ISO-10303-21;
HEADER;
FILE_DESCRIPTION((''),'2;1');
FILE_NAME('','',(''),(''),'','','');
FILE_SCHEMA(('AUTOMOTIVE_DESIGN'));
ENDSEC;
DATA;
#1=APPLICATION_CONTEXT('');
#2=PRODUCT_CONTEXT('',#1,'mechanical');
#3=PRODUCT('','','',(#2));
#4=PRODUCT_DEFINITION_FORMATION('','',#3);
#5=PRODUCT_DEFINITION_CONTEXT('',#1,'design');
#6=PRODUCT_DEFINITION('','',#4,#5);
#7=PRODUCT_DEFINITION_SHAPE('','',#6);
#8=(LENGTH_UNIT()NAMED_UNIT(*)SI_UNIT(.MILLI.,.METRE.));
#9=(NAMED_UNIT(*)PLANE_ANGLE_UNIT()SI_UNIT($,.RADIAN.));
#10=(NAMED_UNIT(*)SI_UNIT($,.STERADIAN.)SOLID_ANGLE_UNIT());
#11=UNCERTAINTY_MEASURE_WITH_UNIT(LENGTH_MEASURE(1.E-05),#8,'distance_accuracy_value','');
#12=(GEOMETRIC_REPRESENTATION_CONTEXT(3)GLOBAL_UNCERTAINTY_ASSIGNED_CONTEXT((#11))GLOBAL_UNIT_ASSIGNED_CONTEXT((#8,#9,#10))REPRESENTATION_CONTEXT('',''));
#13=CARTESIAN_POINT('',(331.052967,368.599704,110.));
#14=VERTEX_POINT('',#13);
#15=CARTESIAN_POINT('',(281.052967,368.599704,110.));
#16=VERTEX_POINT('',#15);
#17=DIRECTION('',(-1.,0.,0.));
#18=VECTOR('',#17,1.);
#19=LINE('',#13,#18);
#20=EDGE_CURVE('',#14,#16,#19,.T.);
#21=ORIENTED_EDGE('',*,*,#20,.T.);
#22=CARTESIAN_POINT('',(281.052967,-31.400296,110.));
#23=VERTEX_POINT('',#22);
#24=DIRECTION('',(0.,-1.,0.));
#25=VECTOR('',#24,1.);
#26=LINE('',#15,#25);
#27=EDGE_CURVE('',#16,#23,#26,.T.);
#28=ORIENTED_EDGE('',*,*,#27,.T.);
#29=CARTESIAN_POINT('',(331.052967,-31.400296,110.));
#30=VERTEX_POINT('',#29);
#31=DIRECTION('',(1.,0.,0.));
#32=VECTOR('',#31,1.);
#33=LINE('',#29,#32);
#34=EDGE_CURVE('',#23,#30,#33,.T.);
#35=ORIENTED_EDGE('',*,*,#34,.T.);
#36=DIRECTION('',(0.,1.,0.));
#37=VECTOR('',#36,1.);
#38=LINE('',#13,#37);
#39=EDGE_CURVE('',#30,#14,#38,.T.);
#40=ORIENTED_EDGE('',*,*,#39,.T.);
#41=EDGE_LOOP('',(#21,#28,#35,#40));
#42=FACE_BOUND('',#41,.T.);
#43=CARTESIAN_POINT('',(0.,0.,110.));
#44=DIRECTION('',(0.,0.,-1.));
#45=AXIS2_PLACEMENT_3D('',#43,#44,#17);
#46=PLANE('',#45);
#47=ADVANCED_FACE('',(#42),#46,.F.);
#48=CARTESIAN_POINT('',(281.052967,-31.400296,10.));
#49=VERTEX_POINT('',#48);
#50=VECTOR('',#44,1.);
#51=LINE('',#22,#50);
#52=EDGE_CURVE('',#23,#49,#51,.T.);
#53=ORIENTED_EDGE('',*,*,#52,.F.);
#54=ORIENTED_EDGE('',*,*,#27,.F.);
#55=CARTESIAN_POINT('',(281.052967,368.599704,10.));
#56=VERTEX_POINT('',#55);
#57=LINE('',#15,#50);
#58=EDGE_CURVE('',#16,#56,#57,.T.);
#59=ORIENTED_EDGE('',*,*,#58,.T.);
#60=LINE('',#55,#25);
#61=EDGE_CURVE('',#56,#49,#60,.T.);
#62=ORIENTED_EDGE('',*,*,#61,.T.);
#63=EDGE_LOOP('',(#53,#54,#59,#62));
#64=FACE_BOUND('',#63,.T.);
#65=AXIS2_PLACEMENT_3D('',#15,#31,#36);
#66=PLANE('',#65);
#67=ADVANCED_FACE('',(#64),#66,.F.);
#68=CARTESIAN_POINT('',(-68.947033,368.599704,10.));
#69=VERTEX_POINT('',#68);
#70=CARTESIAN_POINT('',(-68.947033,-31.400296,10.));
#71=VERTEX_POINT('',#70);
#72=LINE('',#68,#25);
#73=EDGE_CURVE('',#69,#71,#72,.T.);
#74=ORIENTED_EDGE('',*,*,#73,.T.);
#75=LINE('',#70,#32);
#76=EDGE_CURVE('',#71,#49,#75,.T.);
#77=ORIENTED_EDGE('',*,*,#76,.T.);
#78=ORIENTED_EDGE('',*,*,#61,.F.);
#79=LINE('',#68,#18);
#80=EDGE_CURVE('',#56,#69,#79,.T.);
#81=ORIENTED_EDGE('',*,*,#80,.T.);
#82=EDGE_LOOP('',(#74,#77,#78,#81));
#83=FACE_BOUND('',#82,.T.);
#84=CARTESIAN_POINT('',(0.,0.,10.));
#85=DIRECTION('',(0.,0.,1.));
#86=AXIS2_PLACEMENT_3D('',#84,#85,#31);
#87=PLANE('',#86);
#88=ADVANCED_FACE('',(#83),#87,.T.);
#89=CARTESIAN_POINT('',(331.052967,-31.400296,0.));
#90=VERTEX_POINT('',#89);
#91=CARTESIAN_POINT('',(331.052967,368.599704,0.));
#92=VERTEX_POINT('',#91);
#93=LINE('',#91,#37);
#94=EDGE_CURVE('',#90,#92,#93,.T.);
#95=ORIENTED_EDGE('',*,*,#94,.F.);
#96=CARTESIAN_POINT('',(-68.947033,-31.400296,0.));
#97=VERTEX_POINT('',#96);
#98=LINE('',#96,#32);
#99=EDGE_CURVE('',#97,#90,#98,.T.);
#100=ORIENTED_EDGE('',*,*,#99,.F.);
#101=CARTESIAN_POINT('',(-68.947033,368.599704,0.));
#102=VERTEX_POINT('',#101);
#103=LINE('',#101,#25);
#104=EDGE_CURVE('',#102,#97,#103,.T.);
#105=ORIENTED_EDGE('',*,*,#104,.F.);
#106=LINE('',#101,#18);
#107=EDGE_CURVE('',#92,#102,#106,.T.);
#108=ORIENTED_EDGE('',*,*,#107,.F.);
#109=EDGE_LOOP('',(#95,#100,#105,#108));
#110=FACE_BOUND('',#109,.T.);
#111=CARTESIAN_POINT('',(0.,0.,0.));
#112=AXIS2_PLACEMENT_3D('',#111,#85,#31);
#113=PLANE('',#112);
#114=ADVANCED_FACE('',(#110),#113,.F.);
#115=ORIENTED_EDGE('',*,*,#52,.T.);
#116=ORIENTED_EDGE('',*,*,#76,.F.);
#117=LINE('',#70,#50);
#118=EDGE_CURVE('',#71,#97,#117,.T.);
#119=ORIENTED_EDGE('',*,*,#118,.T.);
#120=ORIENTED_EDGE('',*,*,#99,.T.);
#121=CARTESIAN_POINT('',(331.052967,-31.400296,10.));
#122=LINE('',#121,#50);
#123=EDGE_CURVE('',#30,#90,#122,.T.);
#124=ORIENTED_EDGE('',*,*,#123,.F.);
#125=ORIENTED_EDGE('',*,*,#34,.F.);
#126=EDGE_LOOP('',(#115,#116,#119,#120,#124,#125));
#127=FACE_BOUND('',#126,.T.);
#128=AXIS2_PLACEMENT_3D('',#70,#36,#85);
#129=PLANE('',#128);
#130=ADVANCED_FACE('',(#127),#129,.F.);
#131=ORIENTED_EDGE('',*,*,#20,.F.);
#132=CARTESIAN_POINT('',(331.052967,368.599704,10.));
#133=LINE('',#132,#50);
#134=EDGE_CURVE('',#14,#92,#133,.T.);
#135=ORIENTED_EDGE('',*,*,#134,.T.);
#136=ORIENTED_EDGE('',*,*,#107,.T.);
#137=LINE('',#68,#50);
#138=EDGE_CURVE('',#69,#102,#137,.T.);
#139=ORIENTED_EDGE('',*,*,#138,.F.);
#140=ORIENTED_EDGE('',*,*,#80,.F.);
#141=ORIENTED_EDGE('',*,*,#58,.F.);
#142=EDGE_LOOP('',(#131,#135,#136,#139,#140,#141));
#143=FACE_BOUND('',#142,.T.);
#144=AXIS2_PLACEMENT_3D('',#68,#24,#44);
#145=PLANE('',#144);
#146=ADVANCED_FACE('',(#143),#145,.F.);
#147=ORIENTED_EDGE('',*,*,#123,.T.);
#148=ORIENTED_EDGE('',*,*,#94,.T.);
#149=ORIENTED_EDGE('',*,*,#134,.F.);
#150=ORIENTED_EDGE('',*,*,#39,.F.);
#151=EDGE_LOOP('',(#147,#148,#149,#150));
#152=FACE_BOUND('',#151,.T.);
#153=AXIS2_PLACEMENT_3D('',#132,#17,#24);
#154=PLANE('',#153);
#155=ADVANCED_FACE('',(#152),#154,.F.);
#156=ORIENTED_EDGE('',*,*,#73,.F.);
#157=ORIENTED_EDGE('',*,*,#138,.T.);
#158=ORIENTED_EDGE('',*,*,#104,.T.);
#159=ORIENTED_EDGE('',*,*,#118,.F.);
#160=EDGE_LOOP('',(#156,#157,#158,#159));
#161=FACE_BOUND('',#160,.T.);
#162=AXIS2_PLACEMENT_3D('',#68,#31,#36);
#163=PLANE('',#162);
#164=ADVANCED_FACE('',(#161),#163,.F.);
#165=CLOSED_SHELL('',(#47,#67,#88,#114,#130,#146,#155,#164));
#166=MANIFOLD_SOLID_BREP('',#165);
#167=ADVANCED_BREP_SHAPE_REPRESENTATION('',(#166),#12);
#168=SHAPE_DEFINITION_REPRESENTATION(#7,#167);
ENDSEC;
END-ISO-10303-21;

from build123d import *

# Parameters (mm, degrees)
SKETCH1_W           = 400
SKETCH1_H           = 400
BOSS_EXTRUDE1_DEPTH = 10
SKETCH2_W           = 50
SKETCH2_H           = 400
BOSS_EXTRUDE2_DEPTH = 100


with BuildPart() as part:
    # Sketch1 → Boss-Extrude1 (new body)
    with BuildSketch(Plane.XY):
        with Locations((131.052967286, 168.599704093)):
            Rectangle(SKETCH1_W, SKETCH1_H)
    extrude(amount=BOSS_EXTRUDE1_DEPTH)

    # Sketch2 → Boss-Extrude2 (add)
    with BuildSketch(Plane.XY.offset(10)):
        with Locations((306.052967286, 168.599704093)):
            Rectangle(SKETCH2_W, SKETCH2_H)
    extrude(amount=BOSS_EXTRUDE2_DEPTH)


solid = part.part
